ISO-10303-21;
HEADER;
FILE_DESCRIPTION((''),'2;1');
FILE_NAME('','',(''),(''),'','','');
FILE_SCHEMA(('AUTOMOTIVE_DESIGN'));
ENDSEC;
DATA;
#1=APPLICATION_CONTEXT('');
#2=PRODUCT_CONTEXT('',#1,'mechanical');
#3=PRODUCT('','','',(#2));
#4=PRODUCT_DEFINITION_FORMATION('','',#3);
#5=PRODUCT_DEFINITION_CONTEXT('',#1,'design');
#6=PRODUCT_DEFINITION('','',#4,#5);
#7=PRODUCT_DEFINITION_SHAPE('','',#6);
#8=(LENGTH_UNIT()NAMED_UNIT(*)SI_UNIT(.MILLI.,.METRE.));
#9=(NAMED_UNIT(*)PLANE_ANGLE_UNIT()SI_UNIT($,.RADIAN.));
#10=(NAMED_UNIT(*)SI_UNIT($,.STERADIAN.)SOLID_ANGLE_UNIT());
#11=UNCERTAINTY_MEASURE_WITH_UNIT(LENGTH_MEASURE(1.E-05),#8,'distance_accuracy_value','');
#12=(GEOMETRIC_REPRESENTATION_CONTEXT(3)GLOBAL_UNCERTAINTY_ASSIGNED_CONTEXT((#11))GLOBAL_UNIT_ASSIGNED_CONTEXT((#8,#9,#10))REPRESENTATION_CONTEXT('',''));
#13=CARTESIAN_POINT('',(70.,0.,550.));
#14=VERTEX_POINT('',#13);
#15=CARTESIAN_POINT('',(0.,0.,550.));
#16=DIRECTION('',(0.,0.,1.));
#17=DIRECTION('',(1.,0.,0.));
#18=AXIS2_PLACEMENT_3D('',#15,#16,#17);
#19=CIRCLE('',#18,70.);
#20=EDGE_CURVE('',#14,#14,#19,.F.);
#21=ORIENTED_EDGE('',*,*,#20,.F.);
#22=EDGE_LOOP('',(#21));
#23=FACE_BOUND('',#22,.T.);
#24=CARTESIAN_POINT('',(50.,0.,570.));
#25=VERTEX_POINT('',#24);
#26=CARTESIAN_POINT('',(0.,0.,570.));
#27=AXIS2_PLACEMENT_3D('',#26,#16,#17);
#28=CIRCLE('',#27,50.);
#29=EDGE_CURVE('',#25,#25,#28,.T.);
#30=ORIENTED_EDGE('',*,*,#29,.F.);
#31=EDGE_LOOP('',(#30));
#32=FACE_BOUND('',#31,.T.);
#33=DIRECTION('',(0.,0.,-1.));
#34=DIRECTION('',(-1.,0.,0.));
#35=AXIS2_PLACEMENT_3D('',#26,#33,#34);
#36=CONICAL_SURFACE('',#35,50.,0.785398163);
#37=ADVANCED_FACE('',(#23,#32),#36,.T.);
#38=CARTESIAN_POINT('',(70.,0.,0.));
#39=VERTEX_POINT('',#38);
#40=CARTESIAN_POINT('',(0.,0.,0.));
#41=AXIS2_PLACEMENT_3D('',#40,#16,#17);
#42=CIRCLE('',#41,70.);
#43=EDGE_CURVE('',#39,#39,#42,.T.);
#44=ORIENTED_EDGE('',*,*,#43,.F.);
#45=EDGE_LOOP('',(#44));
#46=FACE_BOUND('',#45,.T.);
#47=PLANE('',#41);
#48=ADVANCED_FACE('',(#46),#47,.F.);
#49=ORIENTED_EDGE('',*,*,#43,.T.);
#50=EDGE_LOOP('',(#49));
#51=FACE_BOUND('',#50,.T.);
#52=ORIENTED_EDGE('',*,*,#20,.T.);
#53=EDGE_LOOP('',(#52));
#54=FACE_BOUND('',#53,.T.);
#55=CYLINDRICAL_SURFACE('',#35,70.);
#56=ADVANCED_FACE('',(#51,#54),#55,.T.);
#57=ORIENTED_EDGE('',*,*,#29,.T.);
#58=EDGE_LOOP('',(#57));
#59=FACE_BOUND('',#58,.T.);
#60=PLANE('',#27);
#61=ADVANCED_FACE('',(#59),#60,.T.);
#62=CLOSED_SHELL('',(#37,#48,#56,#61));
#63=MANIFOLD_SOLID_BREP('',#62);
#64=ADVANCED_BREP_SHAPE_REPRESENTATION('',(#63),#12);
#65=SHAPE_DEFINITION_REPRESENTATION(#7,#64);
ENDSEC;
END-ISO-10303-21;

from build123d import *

# Parameters (mm, degrees)
ESBO_O1_R                = 70
RESSALTO_EXTRUS_O1_DEPTH = 570
CHANFRO1_SIZE            = 20


with BuildPart() as part:
    # Esboço1 → Ressalto-extrusão1 (new body)
    with BuildSketch(Plane.XY):
        Circle(ESBO_O1_R)
    extrude(amount=RESSALTO_EXTRUS_O1_DEPTH)

    # Chanfro1
    chanfro1_edges = [part.edges().sort_by_distance(p)[0] for p in [
        (-70, 0, 570),
    ]]
    chamfer(chanfro1_edges, length=CHANFRO1_SIZE)


solid = part.part
